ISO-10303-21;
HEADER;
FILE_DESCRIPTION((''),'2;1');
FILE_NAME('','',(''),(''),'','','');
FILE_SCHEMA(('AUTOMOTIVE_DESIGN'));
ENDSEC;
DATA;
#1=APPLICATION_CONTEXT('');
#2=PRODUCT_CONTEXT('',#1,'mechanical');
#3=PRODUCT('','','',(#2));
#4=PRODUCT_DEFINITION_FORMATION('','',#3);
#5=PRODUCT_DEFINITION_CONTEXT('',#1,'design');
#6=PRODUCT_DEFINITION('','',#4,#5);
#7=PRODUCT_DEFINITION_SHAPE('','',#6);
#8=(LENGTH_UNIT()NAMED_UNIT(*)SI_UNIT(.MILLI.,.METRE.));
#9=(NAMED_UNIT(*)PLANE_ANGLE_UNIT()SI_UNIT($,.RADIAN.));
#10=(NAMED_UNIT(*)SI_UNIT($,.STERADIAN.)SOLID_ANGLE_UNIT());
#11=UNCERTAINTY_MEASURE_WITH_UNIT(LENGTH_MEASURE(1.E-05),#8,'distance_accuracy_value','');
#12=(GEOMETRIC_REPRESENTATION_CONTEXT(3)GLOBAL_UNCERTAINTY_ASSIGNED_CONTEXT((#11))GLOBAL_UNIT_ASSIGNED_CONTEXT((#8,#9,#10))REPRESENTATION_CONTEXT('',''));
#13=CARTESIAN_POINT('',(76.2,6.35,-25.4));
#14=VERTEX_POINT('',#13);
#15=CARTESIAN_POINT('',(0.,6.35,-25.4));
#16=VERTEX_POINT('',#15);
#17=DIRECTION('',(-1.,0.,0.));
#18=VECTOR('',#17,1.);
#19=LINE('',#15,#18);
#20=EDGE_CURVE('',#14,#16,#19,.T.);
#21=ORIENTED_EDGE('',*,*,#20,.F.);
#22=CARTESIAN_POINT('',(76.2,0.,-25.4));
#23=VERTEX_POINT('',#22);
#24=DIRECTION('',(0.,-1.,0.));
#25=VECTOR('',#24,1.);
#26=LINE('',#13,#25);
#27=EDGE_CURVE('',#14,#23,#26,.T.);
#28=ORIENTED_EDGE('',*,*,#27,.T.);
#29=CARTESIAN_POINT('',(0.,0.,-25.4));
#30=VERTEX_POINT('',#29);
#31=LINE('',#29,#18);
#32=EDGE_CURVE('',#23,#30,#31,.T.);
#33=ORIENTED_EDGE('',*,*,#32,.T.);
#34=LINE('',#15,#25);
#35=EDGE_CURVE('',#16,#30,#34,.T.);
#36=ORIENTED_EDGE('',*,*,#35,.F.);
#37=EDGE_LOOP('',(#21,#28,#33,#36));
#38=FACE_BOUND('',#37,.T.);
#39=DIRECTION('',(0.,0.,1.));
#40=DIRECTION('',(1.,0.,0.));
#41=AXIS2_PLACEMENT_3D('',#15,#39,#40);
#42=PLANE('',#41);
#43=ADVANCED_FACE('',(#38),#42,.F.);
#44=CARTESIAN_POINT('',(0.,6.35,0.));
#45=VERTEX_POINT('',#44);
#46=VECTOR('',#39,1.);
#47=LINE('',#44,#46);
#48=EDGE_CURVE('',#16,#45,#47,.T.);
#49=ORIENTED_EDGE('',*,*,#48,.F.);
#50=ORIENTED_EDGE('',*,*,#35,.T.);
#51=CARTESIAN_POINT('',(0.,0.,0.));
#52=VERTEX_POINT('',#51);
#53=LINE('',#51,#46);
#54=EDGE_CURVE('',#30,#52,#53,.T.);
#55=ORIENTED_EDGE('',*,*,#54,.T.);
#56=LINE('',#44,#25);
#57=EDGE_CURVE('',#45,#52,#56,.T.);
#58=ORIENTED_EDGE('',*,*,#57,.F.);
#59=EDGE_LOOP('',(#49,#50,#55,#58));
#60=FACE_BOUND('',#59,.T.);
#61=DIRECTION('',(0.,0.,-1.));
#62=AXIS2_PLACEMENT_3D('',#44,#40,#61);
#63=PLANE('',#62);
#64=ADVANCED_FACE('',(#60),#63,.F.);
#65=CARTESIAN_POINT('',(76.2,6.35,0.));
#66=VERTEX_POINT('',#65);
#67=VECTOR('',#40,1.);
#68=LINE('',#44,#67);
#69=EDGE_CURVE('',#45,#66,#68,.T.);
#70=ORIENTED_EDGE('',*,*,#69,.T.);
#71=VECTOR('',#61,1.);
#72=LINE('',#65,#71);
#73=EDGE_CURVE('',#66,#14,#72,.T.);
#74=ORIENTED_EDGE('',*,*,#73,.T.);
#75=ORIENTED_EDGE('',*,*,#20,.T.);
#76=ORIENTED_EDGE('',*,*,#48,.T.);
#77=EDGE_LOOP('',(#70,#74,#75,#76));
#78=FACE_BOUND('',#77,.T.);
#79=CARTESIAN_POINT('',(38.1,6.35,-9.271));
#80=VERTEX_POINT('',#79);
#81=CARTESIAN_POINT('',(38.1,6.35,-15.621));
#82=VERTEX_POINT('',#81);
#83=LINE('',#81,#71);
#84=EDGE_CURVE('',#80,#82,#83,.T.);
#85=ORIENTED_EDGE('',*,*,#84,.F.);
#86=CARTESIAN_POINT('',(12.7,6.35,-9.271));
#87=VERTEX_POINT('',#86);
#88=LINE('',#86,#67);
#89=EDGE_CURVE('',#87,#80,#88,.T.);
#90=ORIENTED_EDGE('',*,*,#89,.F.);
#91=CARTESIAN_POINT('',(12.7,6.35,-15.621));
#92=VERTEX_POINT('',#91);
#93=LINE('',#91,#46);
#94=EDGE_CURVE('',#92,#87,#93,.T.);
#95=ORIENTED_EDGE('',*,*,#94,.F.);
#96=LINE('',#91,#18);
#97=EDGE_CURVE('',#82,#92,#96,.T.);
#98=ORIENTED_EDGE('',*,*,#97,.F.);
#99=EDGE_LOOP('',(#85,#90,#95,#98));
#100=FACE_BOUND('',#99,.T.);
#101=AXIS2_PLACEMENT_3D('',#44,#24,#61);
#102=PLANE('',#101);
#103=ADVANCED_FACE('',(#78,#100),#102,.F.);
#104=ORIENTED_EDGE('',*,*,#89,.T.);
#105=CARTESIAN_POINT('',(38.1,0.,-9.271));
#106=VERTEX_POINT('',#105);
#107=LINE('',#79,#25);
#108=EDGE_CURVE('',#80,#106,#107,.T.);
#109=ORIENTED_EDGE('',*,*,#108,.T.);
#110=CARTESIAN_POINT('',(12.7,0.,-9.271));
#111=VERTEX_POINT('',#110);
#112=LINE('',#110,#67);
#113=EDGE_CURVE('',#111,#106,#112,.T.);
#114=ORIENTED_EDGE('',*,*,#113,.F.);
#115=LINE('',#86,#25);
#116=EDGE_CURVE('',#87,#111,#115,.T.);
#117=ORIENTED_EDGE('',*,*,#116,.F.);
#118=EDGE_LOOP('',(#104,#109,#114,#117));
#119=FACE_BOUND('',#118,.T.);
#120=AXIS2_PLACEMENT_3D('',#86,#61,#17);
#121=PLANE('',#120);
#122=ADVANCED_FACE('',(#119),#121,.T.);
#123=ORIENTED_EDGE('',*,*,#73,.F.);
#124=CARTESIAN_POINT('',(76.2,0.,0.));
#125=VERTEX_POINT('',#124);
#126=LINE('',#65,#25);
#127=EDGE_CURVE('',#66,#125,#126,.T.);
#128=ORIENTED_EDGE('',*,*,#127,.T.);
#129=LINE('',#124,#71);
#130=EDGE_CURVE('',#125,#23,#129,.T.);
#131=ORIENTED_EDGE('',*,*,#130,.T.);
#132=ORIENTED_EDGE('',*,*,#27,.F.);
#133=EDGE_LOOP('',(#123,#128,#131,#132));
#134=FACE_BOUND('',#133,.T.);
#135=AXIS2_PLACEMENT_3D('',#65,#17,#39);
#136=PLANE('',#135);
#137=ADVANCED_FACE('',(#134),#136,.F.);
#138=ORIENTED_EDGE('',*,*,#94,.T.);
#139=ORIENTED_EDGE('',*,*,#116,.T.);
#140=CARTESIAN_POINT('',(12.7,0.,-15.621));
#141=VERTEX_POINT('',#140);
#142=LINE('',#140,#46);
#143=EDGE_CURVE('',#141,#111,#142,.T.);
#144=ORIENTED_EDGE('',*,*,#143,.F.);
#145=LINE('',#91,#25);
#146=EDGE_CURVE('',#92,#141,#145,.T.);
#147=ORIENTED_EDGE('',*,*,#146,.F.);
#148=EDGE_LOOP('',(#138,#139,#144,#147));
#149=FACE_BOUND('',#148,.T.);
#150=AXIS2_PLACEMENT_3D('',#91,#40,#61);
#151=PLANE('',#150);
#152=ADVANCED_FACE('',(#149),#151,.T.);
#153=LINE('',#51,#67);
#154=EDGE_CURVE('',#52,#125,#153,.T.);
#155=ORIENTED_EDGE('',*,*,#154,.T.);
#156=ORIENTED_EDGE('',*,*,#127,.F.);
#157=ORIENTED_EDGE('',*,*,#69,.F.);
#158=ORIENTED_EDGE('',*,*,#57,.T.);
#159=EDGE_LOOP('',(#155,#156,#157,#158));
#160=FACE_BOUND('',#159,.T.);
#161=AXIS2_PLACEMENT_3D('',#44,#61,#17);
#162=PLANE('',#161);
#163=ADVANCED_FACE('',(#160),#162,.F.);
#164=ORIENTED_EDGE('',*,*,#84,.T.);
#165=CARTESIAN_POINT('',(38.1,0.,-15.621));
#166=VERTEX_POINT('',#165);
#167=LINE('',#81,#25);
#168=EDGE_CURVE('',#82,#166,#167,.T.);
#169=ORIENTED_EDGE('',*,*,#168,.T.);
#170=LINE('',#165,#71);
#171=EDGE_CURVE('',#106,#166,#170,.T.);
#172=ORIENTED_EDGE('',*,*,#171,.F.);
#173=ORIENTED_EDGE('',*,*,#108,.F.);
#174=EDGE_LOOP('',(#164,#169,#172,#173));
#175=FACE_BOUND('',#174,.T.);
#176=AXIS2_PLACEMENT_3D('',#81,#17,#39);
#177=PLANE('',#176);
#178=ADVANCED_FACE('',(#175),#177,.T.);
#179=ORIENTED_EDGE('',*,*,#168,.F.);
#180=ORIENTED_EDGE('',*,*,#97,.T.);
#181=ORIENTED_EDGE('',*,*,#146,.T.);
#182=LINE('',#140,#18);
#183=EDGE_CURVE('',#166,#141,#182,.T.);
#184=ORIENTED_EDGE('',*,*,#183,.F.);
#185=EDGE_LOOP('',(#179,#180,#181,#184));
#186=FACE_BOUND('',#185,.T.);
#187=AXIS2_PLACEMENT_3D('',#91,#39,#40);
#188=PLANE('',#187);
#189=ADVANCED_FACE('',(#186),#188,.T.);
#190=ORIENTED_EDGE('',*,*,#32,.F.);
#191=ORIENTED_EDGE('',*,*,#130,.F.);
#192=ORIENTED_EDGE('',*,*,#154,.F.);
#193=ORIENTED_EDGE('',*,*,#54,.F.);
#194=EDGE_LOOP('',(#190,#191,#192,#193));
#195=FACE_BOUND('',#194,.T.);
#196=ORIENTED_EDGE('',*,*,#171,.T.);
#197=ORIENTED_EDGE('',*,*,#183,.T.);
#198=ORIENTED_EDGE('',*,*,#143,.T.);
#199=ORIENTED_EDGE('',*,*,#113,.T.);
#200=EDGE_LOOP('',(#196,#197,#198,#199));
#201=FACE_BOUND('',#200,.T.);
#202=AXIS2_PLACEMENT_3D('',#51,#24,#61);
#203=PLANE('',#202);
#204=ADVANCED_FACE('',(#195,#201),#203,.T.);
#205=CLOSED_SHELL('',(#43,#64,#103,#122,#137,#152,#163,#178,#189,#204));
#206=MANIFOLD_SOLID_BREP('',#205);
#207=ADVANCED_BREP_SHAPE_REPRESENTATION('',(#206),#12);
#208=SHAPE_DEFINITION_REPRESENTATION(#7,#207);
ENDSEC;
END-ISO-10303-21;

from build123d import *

# Parameters (mm, degrees)
SKETCH1_W           = 76.2
SKETCH1_H           = 25.4
SKETCH1_W_2         = 25.4
SKETCH1_H_2         = 6.35
BOSS_EXTRUDE1_DEPTH = 6.35


with BuildPart() as part:
    # Sketch1 → Boss-Extrude1 (new body)
    with BuildSketch(Plane(origin=(0, 0, 0), x_dir=(1, 0, 0), z_dir=(0, 1, 0))):
        with Locations((38.1, 12.7)):
            Rectangle(SKETCH1_W, SKETCH1_H)
        with Locations((25.4, 12.446)):
            Rectangle(SKETCH1_W_2, SKETCH1_H_2, mode=Mode.SUBTRACT)
    extrude(amount=BOSS_EXTRUDE1_DEPTH)


solid = part.part
